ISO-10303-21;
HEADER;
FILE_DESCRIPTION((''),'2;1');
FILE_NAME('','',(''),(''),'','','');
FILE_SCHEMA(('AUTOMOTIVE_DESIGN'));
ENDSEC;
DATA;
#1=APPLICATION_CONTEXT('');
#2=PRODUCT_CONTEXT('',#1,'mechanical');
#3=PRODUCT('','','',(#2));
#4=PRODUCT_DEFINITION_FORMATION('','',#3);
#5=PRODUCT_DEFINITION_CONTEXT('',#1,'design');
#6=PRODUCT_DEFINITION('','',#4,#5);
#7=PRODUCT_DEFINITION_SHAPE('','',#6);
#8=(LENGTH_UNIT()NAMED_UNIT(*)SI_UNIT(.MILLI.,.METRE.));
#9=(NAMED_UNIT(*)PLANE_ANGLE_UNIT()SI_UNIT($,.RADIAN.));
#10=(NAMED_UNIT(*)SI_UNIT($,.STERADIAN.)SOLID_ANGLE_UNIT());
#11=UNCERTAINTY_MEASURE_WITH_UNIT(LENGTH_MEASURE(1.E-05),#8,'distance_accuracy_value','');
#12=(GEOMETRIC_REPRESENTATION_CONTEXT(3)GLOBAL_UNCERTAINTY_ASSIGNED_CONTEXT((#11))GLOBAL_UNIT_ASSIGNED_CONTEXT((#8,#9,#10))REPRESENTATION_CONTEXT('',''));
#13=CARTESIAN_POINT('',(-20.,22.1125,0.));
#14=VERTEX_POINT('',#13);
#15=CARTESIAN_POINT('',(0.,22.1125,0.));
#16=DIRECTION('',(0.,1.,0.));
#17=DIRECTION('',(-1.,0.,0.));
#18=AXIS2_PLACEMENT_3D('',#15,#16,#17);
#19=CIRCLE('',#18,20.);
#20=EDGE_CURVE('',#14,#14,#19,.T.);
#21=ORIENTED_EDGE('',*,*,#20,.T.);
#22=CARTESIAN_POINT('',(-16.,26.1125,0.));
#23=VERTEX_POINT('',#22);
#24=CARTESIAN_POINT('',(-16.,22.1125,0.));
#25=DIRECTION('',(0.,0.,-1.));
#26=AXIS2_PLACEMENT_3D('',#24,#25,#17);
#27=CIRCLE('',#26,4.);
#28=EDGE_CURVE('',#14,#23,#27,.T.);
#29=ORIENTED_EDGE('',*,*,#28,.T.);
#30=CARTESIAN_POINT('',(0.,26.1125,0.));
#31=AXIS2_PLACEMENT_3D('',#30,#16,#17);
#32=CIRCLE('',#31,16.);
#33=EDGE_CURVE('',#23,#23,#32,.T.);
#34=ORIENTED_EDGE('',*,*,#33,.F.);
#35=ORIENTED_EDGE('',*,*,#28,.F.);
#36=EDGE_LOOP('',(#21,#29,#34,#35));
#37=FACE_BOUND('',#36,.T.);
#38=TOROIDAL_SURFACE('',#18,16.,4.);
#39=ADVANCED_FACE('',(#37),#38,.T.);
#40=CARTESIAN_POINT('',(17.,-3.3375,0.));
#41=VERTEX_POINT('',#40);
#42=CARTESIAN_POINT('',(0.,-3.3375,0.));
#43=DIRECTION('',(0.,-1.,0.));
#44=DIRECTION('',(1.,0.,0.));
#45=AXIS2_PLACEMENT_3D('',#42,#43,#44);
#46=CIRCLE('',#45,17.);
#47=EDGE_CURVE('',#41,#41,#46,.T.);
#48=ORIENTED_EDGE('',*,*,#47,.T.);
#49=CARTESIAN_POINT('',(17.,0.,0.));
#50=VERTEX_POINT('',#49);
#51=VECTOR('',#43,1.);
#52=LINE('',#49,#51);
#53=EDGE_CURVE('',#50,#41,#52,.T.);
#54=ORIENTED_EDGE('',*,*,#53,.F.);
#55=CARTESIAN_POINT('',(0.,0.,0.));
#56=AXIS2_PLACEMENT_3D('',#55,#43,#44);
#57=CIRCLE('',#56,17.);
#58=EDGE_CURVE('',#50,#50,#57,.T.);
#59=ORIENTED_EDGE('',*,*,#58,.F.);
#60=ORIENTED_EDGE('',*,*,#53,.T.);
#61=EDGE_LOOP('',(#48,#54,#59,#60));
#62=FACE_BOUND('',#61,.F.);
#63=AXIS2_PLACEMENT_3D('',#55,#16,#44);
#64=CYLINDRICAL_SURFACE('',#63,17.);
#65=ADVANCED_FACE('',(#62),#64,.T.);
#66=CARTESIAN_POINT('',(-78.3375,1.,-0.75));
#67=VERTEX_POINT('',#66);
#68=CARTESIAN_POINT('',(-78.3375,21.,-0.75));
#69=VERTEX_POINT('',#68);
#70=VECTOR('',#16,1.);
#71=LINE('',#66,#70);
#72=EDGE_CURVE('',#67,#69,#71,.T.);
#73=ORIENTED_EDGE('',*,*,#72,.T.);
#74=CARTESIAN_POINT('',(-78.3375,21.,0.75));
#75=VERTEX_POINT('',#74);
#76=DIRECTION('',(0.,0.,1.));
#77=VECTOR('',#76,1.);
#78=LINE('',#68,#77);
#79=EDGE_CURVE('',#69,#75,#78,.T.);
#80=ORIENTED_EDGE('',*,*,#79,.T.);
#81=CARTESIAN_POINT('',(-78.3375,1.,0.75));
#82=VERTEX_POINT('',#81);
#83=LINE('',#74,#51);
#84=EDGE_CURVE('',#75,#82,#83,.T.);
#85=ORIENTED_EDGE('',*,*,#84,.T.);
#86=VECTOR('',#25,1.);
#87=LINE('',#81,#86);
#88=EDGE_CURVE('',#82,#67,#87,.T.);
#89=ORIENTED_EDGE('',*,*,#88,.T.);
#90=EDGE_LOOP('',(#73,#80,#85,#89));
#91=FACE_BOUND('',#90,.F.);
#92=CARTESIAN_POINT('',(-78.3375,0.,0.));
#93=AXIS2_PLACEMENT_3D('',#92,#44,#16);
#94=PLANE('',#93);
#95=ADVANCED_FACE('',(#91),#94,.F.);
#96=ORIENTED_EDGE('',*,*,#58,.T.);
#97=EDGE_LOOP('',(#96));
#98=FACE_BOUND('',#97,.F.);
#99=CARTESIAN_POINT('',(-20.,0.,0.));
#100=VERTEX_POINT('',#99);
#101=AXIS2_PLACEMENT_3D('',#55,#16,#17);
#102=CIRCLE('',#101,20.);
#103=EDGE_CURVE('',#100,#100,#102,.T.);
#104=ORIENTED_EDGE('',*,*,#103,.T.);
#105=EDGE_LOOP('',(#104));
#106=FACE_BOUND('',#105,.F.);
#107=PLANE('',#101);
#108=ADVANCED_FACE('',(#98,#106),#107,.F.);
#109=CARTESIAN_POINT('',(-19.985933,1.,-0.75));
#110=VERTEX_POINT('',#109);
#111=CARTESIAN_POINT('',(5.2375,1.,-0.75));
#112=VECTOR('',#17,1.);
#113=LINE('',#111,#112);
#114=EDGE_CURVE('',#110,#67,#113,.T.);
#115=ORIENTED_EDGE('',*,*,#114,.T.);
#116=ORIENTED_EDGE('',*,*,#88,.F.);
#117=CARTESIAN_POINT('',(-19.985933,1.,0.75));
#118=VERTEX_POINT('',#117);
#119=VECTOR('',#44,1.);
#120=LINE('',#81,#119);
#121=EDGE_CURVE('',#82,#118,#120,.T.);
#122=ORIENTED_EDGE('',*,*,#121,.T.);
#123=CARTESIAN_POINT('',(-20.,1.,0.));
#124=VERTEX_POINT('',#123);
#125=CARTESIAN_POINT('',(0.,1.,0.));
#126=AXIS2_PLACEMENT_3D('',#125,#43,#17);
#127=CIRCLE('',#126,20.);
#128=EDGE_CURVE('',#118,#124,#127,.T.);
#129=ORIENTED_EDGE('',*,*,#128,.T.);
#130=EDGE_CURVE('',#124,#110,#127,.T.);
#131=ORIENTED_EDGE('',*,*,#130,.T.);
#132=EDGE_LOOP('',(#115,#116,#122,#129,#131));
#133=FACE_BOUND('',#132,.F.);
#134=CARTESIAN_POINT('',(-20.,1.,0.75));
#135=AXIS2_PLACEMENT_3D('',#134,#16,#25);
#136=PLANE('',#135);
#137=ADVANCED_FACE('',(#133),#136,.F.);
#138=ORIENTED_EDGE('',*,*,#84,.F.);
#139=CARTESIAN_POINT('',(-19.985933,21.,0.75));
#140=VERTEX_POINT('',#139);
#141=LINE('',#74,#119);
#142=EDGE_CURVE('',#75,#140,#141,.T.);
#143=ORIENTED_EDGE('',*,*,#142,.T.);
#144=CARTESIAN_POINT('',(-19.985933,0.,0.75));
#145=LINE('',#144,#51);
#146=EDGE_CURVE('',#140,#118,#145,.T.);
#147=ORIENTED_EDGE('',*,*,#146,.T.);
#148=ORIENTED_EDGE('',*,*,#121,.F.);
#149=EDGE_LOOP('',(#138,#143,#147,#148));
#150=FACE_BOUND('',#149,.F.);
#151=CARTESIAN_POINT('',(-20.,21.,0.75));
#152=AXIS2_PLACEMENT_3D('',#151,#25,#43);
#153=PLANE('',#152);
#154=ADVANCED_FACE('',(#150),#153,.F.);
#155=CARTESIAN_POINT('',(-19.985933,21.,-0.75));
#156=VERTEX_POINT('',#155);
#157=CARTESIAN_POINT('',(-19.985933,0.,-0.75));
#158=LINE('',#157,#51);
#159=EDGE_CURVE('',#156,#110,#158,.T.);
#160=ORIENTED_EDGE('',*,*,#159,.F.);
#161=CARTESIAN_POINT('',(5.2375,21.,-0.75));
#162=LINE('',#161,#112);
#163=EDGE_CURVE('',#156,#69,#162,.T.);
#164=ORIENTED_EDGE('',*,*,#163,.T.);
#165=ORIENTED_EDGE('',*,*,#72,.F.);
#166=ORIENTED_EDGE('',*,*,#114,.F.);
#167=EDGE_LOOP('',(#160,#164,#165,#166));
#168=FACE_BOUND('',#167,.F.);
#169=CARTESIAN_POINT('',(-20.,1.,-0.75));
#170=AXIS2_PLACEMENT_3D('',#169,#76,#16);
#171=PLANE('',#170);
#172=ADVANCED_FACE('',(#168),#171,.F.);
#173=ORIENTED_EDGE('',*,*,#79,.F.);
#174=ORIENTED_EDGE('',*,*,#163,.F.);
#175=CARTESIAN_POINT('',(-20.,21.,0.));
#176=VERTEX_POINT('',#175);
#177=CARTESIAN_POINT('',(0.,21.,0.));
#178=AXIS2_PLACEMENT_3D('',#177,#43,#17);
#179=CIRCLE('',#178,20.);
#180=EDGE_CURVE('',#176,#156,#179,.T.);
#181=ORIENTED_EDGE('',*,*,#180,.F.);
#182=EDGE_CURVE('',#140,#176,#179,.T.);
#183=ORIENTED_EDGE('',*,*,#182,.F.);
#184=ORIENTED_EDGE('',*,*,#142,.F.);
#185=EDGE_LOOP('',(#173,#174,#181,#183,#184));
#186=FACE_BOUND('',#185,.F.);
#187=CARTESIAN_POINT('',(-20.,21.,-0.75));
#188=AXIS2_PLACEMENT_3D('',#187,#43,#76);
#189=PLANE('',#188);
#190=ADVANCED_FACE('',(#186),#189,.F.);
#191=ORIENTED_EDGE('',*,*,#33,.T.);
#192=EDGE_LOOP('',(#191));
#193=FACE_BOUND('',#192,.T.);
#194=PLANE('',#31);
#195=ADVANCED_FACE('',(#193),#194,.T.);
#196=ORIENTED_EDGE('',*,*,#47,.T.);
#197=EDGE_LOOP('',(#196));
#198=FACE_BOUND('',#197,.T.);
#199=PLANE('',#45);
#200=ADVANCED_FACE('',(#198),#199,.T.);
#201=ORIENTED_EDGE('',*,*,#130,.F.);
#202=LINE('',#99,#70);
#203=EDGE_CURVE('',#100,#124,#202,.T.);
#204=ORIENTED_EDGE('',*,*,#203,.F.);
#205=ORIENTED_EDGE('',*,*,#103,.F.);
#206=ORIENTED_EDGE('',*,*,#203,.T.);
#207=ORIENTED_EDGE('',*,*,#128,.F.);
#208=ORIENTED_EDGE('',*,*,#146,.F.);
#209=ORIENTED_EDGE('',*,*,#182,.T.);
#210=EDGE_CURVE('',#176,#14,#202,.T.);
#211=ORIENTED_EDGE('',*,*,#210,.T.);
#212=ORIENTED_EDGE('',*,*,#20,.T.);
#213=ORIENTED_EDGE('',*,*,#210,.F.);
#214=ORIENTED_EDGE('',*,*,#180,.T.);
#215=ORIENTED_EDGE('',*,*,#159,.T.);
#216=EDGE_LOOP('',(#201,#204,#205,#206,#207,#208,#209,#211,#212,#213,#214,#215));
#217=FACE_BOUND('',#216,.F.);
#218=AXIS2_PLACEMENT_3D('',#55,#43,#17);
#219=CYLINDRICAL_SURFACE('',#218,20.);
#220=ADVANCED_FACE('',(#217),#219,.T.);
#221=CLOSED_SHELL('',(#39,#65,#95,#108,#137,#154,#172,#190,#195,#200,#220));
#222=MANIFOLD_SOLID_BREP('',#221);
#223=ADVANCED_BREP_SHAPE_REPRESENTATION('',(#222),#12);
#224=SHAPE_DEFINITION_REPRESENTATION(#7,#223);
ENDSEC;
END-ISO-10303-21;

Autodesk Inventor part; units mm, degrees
ref_plane "XZ Plane" through (0, 0, 0) normal (0, 1, 0) x (-1, 0, 0)
ref_plane "XY Plane" through (0, 0, 0) normal (0, 0, 1) x (1, 0, 0)
sketch "Sketch2" plane through (0, 0, 0) normal (0, 1, 0) x (-1, 0, 0)
  circle A0 centre (0, 0) radius 20
  dimension "d0" = 40
extrude "Extrusion1" add sketch "Sketch2" along normal blind 26.1125
sketch "Sketch3" plane through (0, 0, 0) normal (0, -1, 0) x (1, 0, 0)
  circle A0 centre (0, 0) radius 20 projected
  circle A1 centre (0, 0) radius 17
  dimension "d3" = 3
extrude "Extrusion2" add sketch "Sketch3" along normal blind 3.3375 contours A1
fillet "Fillet1" radius 4 1 edges at (20, 26.1125, 0)
ref_plane "Work Plane1" through (-20, 0, 0) normal (1, 0, 0) x (0, 1, 0)
sketch "Sketch4" plane through (-20, 0, 0) normal (1, 0, 0) x (0, 1, 0)
  line L0 (21, 0.75) -> (1, 0.75)
  line L1 (1, 0.75) -> (1, -0.75)
  line L2 (1, -0.75) -> (21, -0.75)
  line L3 (21, -0.75) -> (21, 0.75)
  point P0 (0, 0)
  dimension "d7" = 20
  dimension "d8" = 0.75
  dimension "d9" = 0.75
  dimension "d10" = 1
extrude "Extrusion3" add sketch "Sketch4" along normal blind 25.2375 and the other way blind 58.3375
properties part number "MagBallHolder"
